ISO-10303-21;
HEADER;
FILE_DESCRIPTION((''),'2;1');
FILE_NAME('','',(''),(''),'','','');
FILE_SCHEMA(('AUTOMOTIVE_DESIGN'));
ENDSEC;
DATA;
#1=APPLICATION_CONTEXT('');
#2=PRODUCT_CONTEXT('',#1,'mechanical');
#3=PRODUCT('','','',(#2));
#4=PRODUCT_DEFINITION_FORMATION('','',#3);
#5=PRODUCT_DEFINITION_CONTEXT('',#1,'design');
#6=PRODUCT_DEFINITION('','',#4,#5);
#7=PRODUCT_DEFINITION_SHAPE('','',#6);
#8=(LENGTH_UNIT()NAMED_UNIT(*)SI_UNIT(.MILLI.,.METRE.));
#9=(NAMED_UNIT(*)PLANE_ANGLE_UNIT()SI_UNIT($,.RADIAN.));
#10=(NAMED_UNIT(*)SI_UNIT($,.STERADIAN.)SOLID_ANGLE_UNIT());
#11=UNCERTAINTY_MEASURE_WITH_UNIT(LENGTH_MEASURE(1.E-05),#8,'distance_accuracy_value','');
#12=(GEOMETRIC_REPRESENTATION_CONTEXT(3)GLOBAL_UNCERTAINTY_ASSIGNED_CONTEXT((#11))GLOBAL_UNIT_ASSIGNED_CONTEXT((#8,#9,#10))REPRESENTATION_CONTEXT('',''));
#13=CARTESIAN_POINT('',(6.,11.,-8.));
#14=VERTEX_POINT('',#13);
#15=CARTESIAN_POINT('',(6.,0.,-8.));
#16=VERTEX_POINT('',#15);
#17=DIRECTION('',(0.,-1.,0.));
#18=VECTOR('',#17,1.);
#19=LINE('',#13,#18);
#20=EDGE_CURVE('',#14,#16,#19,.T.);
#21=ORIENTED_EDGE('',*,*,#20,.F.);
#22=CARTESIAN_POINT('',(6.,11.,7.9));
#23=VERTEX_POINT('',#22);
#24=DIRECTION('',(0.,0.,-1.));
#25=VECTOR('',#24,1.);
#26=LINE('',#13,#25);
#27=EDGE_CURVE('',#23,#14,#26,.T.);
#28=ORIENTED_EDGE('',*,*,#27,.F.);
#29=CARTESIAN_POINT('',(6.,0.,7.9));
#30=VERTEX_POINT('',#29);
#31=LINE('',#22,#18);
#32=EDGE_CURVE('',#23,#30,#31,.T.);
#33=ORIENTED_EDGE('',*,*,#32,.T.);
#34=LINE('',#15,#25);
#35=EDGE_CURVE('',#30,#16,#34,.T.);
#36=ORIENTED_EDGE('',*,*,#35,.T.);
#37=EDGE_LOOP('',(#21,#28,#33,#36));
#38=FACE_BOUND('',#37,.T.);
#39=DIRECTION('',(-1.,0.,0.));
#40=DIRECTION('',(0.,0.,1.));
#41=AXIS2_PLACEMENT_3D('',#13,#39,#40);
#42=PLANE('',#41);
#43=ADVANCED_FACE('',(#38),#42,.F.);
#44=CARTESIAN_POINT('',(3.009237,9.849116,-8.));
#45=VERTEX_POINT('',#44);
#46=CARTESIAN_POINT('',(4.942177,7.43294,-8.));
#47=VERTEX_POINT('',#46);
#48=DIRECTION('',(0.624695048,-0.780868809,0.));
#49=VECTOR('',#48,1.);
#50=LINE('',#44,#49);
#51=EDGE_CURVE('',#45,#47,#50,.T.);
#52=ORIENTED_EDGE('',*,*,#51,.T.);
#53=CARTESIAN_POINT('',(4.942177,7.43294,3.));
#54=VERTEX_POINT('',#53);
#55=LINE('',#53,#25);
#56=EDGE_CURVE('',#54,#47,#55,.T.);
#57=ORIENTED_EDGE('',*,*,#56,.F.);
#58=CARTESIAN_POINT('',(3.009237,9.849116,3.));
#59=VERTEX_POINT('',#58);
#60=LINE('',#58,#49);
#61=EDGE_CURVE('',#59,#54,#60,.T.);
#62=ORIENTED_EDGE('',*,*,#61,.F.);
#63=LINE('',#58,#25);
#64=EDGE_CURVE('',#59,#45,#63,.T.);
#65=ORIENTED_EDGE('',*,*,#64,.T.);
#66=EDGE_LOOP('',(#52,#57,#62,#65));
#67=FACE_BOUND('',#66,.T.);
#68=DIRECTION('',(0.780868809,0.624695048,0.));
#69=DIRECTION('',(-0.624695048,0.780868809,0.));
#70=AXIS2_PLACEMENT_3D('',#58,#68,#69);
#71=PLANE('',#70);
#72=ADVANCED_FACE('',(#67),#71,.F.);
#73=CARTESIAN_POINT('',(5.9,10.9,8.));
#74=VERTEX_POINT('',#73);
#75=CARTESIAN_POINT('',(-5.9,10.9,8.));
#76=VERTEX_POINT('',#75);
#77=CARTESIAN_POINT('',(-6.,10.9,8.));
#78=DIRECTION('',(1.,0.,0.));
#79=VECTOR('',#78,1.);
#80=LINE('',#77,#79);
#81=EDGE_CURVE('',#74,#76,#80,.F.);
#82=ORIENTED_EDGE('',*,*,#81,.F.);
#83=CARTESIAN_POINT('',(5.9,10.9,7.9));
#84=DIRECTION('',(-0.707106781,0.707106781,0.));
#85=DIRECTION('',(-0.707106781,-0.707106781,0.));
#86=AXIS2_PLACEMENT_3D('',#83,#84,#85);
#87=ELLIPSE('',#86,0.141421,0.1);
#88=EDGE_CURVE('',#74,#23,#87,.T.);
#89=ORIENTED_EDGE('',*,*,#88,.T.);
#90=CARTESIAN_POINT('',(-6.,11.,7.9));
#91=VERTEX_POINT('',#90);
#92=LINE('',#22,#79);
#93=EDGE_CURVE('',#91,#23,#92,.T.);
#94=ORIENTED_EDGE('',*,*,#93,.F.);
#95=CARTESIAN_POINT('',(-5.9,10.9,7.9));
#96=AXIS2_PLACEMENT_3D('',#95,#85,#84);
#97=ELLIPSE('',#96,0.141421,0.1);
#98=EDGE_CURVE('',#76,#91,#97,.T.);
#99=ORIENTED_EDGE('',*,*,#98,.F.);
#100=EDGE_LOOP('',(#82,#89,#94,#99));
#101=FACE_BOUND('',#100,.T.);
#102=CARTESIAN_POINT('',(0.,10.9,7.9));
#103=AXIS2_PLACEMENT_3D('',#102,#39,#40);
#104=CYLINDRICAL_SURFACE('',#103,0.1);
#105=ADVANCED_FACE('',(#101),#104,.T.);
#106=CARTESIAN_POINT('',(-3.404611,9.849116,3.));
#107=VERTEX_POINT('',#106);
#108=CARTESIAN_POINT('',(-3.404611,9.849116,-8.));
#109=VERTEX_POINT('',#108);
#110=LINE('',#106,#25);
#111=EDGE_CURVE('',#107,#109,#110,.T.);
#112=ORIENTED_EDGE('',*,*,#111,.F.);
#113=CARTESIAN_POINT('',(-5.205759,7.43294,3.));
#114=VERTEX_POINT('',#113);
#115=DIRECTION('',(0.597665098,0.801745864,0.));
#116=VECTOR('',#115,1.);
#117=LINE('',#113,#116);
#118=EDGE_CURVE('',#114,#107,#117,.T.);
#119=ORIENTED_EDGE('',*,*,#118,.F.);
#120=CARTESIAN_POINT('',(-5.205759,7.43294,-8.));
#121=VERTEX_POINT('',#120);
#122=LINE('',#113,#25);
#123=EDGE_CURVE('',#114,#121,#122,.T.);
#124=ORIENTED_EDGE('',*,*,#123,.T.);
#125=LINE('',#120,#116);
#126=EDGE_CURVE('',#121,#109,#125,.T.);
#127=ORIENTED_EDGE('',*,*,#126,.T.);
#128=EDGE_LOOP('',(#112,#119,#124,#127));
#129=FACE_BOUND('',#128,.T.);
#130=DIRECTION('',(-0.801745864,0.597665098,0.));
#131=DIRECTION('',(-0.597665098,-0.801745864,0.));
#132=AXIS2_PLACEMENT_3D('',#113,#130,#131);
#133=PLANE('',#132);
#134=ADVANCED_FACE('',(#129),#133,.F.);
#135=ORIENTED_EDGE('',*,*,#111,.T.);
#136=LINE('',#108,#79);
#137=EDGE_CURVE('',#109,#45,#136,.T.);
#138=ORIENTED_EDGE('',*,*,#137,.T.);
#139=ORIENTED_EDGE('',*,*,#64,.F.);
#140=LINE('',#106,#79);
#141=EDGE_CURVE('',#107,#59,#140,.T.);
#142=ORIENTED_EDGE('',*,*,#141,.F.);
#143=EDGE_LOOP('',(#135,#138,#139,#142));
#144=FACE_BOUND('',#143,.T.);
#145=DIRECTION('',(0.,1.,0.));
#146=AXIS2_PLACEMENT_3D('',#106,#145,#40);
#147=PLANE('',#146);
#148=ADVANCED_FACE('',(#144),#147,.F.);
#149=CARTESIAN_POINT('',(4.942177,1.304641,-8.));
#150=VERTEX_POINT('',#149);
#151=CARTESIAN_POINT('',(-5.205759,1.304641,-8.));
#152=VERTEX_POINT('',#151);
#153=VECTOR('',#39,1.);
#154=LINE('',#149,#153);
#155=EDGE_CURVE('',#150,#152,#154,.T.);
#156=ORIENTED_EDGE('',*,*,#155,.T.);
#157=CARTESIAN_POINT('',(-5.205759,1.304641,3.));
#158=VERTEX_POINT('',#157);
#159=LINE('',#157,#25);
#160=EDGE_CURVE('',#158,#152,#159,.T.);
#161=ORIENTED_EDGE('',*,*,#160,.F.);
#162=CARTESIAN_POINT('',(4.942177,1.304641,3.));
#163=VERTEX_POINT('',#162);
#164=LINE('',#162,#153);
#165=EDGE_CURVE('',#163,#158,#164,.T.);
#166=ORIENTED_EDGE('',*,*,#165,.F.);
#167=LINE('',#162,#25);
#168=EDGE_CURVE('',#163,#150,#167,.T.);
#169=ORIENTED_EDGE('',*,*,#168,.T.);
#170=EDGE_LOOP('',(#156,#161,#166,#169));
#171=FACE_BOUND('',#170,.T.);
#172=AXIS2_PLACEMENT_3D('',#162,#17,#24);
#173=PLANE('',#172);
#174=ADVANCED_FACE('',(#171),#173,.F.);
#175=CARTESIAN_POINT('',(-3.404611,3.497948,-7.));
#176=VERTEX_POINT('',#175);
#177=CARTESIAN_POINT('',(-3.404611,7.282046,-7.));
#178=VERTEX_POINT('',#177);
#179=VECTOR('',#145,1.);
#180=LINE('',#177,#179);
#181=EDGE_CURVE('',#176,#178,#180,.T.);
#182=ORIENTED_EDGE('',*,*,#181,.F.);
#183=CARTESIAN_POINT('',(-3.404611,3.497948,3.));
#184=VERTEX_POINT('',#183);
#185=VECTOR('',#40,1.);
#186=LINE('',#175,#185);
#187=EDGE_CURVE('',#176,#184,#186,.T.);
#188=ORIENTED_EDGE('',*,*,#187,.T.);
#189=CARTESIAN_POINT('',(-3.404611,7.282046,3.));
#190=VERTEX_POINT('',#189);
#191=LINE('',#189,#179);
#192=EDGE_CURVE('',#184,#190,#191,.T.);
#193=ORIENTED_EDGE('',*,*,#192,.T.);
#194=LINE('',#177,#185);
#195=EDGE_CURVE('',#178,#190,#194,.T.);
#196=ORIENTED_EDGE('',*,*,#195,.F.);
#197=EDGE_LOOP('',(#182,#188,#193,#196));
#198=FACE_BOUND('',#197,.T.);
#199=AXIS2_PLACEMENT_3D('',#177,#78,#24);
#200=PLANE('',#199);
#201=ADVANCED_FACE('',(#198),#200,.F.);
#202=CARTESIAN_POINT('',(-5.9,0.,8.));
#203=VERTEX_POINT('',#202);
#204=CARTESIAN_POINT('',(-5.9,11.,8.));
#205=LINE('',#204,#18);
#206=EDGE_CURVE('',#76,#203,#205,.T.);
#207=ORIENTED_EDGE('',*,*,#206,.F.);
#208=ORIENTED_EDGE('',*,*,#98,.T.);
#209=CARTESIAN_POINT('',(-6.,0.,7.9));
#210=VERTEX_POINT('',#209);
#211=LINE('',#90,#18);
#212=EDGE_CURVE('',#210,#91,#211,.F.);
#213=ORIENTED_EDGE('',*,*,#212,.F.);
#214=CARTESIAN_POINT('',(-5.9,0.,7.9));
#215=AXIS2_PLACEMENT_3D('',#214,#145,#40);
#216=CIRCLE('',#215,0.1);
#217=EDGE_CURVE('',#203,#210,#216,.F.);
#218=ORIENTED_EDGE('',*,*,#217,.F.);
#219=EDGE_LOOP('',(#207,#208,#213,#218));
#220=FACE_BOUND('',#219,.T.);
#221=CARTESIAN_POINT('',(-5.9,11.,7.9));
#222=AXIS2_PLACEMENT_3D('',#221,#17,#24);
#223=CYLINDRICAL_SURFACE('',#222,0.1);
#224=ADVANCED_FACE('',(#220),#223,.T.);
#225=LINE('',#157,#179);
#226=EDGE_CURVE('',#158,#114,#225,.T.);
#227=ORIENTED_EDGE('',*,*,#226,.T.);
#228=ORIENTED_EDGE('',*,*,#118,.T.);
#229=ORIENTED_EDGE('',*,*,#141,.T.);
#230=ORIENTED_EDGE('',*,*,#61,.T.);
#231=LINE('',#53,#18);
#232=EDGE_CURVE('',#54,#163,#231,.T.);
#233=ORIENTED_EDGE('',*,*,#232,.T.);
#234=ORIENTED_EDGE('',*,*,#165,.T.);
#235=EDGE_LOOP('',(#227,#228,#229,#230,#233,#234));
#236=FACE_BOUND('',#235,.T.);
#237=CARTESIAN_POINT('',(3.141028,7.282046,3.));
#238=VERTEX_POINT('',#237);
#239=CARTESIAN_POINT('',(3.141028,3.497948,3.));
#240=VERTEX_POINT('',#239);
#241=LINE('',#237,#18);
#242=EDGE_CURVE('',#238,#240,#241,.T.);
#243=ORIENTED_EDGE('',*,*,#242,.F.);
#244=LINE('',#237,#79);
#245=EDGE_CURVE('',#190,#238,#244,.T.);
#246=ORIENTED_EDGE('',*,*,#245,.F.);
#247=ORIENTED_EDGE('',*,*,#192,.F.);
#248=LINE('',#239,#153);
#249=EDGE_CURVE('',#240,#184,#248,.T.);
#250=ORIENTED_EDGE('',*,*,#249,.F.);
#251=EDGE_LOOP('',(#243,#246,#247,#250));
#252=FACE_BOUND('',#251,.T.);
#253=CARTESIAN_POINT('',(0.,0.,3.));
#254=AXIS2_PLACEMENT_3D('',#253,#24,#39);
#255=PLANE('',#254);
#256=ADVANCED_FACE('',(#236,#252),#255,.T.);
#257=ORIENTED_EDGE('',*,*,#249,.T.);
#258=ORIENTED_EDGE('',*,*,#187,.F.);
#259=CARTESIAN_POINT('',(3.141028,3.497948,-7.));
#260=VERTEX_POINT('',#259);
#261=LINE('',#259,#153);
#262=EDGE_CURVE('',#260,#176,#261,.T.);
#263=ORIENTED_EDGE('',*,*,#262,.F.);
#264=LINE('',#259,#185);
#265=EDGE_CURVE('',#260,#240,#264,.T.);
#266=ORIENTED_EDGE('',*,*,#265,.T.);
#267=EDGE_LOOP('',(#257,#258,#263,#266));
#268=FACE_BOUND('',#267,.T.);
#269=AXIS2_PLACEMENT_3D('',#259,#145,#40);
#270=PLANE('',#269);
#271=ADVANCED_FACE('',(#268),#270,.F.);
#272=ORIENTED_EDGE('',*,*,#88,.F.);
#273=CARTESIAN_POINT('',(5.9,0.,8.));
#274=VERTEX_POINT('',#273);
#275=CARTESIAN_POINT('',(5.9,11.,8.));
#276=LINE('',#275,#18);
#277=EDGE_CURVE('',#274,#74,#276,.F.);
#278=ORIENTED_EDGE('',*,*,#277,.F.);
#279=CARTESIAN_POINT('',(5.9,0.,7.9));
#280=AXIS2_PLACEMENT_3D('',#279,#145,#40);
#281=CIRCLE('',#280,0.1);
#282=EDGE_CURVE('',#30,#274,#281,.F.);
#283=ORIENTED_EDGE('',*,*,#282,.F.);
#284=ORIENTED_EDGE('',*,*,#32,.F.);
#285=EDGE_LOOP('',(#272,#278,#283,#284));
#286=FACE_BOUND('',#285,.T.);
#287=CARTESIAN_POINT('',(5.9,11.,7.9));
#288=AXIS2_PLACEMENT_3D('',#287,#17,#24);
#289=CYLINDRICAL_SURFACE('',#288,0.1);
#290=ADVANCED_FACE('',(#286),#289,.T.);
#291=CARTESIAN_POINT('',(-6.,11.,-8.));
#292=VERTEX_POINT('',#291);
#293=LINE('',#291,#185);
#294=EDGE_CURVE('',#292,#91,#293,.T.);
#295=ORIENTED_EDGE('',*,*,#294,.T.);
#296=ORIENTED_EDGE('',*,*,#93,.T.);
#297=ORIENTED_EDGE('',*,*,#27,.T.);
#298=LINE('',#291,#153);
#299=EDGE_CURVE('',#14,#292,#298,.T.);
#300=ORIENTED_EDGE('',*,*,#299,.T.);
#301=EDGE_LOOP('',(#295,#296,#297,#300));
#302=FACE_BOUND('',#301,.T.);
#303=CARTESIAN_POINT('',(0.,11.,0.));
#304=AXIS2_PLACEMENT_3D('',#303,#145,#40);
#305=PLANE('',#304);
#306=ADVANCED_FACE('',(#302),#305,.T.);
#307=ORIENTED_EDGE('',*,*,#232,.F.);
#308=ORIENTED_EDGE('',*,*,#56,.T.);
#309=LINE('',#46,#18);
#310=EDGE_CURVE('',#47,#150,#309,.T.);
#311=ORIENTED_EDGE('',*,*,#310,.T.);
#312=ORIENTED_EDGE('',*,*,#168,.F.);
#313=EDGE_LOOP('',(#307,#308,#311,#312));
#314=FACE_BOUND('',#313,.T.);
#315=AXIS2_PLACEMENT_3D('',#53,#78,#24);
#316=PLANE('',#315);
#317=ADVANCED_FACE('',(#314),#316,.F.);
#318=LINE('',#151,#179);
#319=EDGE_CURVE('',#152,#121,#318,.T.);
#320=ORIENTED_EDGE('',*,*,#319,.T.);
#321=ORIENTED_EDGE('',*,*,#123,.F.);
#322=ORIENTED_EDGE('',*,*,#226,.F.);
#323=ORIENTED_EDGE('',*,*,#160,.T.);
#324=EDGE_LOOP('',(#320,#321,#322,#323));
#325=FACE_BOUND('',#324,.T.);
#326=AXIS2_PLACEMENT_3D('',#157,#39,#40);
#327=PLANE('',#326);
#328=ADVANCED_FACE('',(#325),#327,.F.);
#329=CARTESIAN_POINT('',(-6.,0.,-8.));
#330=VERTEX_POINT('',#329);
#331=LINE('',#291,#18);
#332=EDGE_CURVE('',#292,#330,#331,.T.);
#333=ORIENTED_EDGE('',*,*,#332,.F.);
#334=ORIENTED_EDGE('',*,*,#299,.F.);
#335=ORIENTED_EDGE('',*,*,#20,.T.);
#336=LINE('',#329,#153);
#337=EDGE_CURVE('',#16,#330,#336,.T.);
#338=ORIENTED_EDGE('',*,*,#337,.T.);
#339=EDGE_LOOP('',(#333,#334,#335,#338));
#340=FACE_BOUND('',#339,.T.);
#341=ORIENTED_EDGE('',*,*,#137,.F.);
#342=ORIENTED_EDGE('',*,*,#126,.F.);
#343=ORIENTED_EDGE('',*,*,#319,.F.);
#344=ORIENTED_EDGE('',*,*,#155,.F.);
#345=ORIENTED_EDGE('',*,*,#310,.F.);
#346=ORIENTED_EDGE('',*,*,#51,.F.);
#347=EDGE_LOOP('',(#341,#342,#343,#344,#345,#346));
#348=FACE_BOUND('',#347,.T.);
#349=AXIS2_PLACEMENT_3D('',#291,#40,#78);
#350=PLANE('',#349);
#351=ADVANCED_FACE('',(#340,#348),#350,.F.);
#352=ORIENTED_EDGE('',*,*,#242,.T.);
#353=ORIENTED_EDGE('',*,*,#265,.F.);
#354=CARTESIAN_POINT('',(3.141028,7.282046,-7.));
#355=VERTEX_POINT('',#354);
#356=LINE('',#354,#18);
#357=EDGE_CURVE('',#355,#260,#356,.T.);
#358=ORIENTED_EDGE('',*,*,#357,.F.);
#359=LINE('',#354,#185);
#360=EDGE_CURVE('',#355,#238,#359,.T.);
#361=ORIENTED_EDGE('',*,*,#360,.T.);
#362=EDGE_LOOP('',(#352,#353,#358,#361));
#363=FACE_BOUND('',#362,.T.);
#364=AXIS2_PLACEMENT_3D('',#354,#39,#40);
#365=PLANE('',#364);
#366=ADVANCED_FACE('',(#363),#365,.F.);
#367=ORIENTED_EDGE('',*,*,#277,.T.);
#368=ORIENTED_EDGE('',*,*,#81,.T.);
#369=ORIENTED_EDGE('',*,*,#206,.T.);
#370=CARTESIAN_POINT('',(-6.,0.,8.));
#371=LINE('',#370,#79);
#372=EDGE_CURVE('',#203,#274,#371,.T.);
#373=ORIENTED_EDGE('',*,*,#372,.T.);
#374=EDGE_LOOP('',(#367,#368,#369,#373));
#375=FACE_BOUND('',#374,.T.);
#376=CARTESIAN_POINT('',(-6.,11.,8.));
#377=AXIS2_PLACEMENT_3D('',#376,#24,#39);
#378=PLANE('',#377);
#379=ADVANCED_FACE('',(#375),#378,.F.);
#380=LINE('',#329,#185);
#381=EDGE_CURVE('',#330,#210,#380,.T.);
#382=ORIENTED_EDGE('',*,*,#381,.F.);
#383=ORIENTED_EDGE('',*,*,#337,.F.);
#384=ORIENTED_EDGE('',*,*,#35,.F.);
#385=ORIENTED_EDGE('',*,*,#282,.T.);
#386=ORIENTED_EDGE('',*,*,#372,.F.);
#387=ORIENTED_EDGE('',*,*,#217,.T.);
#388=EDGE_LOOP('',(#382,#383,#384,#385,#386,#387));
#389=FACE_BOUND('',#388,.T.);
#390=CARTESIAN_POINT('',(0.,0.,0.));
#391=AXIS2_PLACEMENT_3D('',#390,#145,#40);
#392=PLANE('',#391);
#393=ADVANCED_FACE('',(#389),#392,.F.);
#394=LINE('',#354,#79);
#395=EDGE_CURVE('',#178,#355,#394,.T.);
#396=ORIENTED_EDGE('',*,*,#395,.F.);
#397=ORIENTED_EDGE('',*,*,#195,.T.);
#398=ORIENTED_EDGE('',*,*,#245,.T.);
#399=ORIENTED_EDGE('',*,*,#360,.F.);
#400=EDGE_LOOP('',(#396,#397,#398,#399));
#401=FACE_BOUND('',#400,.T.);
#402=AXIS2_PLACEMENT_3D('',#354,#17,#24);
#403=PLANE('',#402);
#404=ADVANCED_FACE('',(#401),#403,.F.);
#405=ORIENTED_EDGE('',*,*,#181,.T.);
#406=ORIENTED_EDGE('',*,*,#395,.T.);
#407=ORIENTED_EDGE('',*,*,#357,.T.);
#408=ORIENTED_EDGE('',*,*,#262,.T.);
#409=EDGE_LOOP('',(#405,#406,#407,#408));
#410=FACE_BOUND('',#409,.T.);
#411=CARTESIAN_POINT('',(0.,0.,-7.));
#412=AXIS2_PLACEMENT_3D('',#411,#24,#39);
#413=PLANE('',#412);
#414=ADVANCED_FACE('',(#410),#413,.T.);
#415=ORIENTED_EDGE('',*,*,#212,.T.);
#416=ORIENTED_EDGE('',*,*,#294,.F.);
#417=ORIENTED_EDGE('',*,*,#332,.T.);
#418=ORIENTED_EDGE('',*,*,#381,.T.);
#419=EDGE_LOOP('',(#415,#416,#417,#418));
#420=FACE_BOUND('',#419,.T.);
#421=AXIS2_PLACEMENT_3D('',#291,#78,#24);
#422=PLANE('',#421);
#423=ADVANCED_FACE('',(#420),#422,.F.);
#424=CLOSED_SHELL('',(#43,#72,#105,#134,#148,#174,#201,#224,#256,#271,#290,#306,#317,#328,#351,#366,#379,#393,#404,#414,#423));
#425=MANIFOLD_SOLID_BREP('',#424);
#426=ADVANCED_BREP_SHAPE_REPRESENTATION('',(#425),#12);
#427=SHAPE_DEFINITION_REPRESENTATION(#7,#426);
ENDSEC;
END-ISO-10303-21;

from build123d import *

# Parameters (mm, degrees)
SKETCH1_W           = 12
SKETCH1_H           = 16
BOSS_EXTRUDE1_DEPTH = 11
CUT_EXTRUDE1_DEPTH  = 11
FILLET1_R           = 0.1
SKETCH5_W           = 6.545638519
SKETCH5_H           = 3.78409842
BOSS_EXTRUDE2_DEPTH = 10


with BuildPart() as part:
    # Sketch1 → Boss-Extrude1 (new body)
    with BuildSketch(Plane(origin=(0, 0, 0), x_dir=(1, 0, 0), z_dir=(0, 1, 0))):
        Rectangle(SKETCH1_W, SKETCH1_H)
    extrude(amount=BOSS_EXTRUDE1_DEPTH)

    # Sketch4 → Cut-Extrude1 (cut)
    with BuildSketch(Plane(origin=(0, 0, -8), x_dir=(-1, 0, 0), z_dir=(0, 0, -1))):
        Polygon((-4.942176734, 1.304641084), (5.205759493, 1.304641084), (5.205759493, 7.432940234), (3.404610639, 9.849115526), (-3.0092365, 9.849115526), (-4.942176734, 7.432940234), align=None)
    extrude(amount=-CUT_EXTRUDE1_DEPTH, mode=Mode.SUBTRACT)

    # Fillet1
    fillet1_edges = [part.edges().sort_by_distance(p)[0] for p in [
        (0, 11, 8),
        (6, 5.5, 8),
        (-6, 5.5, 8),
    ]]
    fillet(fillet1_edges, radius=FILLET1_R)

    # Sketch5 → Boss-Extrude2 (add)
    with BuildSketch(Plane(origin=(0, 0, 3), x_dir=(-1, 0, 0), z_dir=(0, 0, -1))):
        with Locations((0.13179138, 5.389997139)):
            Rectangle(SKETCH5_W, SKETCH5_H)
    extrude(amount=BOSS_EXTRUDE2_DEPTH)


solid = part.part
